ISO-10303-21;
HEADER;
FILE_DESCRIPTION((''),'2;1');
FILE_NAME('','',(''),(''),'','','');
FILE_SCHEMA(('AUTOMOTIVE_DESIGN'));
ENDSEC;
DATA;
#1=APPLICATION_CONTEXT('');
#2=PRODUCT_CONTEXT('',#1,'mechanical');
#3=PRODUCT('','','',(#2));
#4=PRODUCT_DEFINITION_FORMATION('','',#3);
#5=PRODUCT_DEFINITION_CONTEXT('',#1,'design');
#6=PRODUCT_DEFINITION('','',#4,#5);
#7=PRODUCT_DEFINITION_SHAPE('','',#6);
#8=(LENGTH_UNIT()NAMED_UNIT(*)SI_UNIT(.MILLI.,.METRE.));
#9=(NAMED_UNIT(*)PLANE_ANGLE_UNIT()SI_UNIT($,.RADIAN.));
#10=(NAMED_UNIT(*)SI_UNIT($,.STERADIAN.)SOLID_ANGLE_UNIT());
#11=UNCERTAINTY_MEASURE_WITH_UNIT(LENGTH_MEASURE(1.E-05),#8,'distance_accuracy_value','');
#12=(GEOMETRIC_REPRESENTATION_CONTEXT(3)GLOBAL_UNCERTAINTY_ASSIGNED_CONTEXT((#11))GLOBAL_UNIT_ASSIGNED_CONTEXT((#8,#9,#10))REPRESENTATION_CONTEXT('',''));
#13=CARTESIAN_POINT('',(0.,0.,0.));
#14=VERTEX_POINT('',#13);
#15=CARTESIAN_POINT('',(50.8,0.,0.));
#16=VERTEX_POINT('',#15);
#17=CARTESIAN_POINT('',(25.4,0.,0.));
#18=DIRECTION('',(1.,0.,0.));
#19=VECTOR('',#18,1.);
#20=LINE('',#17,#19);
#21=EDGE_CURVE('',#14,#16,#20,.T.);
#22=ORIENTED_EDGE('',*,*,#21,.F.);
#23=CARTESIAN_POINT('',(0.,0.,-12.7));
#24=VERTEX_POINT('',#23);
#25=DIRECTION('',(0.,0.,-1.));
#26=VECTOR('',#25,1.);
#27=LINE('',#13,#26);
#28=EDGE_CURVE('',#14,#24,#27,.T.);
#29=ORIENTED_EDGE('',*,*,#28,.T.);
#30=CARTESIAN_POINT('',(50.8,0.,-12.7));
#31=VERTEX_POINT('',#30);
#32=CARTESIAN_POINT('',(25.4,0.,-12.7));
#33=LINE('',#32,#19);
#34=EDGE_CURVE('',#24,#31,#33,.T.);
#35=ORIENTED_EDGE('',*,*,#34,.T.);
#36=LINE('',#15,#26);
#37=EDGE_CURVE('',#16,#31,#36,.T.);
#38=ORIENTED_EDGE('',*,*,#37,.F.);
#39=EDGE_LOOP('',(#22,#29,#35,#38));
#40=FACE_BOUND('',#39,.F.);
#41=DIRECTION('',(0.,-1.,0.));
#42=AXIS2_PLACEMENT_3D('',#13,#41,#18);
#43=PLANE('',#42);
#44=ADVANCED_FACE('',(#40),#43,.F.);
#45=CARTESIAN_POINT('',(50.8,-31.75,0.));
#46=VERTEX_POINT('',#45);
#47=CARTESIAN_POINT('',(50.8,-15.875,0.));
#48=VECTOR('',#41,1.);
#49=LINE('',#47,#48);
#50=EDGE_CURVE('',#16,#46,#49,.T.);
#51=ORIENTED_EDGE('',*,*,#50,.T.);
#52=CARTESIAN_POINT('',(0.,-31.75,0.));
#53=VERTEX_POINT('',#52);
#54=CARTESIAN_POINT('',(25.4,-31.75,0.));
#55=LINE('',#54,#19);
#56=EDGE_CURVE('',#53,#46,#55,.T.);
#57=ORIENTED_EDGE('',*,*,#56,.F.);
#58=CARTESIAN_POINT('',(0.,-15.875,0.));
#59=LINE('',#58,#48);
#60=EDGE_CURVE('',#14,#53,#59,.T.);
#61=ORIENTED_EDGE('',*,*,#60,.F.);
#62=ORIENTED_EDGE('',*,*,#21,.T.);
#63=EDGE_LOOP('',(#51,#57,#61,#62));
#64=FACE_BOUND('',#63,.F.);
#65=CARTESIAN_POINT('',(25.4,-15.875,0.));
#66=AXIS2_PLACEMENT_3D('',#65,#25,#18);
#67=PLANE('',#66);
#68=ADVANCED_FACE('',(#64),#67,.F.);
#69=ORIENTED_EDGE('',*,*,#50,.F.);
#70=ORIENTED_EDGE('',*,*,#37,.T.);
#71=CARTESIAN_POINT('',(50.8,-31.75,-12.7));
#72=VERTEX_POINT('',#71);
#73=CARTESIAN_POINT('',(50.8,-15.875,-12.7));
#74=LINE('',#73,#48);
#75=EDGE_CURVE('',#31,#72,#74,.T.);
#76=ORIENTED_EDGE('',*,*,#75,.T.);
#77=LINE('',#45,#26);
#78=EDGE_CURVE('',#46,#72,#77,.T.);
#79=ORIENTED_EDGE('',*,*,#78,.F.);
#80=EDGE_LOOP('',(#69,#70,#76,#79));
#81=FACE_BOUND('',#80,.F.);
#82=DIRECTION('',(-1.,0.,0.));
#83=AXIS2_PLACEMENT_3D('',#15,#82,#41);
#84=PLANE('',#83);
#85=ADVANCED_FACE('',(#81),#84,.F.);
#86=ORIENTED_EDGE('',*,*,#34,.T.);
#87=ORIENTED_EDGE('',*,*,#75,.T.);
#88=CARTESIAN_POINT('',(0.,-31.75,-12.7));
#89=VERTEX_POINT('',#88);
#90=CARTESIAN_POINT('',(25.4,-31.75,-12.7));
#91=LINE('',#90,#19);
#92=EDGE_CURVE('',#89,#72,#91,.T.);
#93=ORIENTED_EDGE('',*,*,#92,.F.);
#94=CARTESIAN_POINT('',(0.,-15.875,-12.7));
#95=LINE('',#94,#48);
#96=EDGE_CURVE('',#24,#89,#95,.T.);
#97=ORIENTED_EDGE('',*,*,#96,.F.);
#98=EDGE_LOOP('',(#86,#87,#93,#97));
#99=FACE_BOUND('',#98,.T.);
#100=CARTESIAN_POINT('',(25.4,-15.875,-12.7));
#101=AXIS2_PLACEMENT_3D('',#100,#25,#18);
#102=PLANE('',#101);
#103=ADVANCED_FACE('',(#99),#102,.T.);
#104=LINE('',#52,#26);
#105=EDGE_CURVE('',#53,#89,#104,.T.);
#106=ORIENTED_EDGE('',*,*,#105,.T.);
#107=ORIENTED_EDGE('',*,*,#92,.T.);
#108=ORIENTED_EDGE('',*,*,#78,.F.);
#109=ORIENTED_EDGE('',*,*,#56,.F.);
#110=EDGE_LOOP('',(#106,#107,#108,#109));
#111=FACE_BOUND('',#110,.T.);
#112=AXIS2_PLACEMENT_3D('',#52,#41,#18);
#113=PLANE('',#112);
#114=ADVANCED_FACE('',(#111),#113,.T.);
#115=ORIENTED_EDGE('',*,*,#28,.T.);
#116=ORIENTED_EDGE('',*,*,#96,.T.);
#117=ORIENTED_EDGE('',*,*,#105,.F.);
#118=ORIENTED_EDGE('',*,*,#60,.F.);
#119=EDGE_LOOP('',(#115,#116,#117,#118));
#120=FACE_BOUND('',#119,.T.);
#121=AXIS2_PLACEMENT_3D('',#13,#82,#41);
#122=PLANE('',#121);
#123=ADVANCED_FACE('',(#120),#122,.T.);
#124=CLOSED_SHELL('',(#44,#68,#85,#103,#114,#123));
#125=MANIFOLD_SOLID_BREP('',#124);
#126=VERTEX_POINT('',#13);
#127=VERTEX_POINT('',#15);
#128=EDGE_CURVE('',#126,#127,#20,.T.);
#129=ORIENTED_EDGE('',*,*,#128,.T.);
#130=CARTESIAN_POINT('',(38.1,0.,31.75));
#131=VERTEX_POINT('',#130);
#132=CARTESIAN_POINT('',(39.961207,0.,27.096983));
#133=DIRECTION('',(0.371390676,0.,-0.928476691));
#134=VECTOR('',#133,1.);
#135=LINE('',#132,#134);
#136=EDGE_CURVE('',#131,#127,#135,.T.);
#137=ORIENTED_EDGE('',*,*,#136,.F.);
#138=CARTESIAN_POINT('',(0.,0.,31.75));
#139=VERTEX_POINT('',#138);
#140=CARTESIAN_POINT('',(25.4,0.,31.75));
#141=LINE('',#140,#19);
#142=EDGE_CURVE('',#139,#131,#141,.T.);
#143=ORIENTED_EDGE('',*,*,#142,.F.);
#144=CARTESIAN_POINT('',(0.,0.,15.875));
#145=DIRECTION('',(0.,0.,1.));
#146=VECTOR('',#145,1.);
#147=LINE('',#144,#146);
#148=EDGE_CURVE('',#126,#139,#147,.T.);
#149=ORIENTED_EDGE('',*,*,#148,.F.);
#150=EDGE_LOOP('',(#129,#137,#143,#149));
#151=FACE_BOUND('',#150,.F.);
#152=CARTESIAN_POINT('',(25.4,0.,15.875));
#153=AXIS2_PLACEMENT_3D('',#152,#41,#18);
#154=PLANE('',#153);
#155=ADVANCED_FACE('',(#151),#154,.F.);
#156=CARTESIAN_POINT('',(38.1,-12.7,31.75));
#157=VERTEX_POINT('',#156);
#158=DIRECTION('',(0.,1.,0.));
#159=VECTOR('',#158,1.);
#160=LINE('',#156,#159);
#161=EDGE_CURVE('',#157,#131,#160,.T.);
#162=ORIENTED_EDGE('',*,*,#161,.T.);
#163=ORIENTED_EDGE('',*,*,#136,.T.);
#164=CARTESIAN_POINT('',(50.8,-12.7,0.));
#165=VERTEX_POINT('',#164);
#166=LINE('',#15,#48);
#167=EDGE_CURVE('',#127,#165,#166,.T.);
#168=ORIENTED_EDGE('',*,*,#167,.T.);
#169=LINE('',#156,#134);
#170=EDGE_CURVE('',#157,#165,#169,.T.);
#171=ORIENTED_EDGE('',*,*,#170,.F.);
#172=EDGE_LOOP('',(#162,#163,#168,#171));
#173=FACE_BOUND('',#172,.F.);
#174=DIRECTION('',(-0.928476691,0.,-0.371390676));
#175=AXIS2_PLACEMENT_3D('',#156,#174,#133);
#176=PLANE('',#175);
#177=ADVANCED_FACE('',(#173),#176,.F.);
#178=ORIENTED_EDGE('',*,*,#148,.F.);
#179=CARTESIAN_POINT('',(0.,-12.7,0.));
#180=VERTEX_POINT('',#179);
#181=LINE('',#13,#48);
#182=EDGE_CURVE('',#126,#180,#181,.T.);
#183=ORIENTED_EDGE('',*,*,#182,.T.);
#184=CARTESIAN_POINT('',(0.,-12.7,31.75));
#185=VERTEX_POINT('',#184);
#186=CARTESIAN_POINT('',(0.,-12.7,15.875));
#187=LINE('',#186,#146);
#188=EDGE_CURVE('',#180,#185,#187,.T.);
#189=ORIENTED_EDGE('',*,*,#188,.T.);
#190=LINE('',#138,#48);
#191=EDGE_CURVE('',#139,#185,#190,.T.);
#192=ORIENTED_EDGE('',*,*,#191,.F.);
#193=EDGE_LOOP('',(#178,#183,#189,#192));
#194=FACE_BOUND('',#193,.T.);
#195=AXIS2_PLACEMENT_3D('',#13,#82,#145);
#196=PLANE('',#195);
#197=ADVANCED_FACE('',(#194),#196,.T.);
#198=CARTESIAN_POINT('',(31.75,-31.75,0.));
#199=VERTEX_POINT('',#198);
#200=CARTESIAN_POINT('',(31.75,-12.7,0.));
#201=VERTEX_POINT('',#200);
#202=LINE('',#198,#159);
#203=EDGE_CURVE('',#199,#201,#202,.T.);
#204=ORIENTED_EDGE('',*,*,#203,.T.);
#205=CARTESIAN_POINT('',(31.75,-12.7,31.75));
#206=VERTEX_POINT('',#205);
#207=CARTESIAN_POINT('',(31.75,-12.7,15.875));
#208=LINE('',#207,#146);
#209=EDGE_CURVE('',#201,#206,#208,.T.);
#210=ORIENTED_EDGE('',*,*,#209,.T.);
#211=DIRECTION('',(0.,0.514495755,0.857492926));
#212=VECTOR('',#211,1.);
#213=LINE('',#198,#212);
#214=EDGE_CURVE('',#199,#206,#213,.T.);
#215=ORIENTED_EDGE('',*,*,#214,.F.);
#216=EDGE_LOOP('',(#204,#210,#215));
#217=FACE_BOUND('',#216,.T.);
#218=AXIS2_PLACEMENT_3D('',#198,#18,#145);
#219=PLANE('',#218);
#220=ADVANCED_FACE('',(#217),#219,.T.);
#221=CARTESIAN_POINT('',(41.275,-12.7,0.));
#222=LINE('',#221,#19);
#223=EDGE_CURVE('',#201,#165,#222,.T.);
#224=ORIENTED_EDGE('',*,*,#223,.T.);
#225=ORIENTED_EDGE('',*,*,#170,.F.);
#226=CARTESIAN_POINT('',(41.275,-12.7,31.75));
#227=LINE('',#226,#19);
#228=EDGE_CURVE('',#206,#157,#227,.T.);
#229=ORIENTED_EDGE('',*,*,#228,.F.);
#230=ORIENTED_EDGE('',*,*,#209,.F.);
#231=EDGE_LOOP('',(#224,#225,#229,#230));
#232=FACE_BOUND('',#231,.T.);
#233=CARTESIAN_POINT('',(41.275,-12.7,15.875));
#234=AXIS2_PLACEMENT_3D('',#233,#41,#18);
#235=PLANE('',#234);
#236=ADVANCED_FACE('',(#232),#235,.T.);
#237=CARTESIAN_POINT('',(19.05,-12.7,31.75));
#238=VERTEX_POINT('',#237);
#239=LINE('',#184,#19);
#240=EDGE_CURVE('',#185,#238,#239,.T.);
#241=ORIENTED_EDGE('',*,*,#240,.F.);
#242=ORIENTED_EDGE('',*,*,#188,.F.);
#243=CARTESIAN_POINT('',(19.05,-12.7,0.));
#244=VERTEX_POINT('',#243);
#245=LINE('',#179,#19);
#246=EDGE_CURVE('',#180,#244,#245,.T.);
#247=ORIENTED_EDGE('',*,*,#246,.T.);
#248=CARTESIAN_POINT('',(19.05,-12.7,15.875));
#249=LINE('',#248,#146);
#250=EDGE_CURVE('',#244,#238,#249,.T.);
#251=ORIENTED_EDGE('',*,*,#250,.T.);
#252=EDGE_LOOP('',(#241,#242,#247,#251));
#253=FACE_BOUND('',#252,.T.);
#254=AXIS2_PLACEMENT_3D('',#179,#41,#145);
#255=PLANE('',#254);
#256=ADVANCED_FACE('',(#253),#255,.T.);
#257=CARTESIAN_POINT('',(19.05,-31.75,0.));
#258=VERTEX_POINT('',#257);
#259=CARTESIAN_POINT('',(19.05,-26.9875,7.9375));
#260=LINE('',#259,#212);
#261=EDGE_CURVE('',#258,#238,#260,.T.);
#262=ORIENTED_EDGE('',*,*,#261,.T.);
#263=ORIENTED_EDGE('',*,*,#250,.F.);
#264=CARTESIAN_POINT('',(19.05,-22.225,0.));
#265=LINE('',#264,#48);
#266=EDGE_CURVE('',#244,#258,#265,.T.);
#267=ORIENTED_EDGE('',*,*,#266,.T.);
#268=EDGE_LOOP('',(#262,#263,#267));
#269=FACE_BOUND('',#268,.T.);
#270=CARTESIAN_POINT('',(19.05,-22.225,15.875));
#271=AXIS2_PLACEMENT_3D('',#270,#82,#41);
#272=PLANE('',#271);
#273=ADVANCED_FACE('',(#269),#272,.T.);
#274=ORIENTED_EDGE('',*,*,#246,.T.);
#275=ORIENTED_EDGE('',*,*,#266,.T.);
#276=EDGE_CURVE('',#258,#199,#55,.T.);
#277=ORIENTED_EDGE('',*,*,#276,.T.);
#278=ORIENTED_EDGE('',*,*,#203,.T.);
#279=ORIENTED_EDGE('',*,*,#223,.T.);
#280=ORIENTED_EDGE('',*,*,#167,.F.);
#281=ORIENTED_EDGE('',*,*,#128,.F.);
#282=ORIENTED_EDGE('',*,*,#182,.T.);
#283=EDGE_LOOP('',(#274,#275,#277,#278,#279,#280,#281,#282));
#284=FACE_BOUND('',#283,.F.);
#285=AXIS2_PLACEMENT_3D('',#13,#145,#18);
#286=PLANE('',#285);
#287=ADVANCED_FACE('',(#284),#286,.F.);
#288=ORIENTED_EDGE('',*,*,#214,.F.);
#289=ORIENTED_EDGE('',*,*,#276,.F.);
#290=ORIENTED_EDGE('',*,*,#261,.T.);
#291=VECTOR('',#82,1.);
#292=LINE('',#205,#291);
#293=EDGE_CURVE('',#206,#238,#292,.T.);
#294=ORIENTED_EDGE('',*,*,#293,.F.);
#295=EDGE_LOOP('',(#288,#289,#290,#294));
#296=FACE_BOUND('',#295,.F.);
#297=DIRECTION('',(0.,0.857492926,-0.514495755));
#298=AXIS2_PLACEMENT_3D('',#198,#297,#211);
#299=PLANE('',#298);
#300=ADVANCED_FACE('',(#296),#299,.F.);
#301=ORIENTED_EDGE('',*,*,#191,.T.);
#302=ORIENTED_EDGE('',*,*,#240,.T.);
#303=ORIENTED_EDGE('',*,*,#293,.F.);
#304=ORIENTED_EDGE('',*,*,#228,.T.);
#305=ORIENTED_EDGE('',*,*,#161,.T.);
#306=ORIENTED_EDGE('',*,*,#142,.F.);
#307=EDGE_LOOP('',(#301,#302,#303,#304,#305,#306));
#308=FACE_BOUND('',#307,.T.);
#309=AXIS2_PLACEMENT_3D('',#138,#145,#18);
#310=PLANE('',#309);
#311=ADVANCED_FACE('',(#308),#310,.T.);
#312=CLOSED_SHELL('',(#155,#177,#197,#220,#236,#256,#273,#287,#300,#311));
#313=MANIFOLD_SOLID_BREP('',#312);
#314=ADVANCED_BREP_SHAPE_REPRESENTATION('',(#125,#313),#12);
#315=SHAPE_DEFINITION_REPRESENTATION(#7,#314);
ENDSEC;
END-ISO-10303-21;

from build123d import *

# Parameters (mm, degrees)
F0_W      = 50.8
F0_H      = 31.75
F1_DEPTH  = 31.75
F2_W      = 19.05
F2_H      = 31.75
F3_DEPTH  = 19.05
F5_DEPTH  = 12.701
F7_DEPTH  = 19.05
F8_W      = 19.05
F8_H      = 31.75
F9_DEPTH  = 19.05
F10_W     = 50.8
F10_H     = 31.75
F11_DEPTH = 12.7


with BuildPart() as f1:
    # F0 (on Front) → F1 (new body)
    with BuildSketch(Plane.XZ):
        with Locations((25.4, 15.875)):
            Rectangle(F0_W, F0_H)
    extrude(amount=F1_DEPTH)

    # F2 (on face) → F3 (cut)
    with BuildSketch(Plane.XZ.offset(31.75)):
        with Locations((41.275, 15.875)):
            Rectangle(F2_W, F2_H)
    extrude(amount=-F3_DEPTH, mode=Mode.SUBTRACT)

    # F4 (on face) → F5 (cut, through all)
    with BuildSketch(Plane.XZ.offset(12.7)):
        Polygon((50.8, 31.75), (38.1, 31.75), (50.8, 0), align=None)
    extrude(amount=-F5_DEPTH, mode=Mode.SUBTRACT)

    # F6 (on face) → F7 (cut)
    with BuildSketch(Plane.YZ.offset(31.75)):
        Polygon((-31.75, 0), (-12.7, 31.75), (-31.75, 31.75), align=None)
    extrude(amount=-F7_DEPTH, mode=Mode.SUBTRACT)

    # F8 (on face) → F9 (cut)
    with BuildSketch(Plane(origin=(0, 0, 0), x_dir=(0, -1, 0), z_dir=(-1, 0, 0))):
        with Locations((22.225, 15.875)):
            Rectangle(F8_W, F8_H)
    extrude(amount=-F9_DEPTH, mode=Mode.SUBTRACT)


with BuildPart() as f11:
    # F10 (on face) → F11 (new body)
    with BuildSketch(Plane(origin=(0, 0, 0), x_dir=(1, 0, 0), z_dir=(0, 0, -1))):
        with Locations((25.4, 15.875)):
            Rectangle(F10_W, F10_H)
    extrude(amount=F11_DEPTH)


solid = Compound([f1.part, f11.part])
